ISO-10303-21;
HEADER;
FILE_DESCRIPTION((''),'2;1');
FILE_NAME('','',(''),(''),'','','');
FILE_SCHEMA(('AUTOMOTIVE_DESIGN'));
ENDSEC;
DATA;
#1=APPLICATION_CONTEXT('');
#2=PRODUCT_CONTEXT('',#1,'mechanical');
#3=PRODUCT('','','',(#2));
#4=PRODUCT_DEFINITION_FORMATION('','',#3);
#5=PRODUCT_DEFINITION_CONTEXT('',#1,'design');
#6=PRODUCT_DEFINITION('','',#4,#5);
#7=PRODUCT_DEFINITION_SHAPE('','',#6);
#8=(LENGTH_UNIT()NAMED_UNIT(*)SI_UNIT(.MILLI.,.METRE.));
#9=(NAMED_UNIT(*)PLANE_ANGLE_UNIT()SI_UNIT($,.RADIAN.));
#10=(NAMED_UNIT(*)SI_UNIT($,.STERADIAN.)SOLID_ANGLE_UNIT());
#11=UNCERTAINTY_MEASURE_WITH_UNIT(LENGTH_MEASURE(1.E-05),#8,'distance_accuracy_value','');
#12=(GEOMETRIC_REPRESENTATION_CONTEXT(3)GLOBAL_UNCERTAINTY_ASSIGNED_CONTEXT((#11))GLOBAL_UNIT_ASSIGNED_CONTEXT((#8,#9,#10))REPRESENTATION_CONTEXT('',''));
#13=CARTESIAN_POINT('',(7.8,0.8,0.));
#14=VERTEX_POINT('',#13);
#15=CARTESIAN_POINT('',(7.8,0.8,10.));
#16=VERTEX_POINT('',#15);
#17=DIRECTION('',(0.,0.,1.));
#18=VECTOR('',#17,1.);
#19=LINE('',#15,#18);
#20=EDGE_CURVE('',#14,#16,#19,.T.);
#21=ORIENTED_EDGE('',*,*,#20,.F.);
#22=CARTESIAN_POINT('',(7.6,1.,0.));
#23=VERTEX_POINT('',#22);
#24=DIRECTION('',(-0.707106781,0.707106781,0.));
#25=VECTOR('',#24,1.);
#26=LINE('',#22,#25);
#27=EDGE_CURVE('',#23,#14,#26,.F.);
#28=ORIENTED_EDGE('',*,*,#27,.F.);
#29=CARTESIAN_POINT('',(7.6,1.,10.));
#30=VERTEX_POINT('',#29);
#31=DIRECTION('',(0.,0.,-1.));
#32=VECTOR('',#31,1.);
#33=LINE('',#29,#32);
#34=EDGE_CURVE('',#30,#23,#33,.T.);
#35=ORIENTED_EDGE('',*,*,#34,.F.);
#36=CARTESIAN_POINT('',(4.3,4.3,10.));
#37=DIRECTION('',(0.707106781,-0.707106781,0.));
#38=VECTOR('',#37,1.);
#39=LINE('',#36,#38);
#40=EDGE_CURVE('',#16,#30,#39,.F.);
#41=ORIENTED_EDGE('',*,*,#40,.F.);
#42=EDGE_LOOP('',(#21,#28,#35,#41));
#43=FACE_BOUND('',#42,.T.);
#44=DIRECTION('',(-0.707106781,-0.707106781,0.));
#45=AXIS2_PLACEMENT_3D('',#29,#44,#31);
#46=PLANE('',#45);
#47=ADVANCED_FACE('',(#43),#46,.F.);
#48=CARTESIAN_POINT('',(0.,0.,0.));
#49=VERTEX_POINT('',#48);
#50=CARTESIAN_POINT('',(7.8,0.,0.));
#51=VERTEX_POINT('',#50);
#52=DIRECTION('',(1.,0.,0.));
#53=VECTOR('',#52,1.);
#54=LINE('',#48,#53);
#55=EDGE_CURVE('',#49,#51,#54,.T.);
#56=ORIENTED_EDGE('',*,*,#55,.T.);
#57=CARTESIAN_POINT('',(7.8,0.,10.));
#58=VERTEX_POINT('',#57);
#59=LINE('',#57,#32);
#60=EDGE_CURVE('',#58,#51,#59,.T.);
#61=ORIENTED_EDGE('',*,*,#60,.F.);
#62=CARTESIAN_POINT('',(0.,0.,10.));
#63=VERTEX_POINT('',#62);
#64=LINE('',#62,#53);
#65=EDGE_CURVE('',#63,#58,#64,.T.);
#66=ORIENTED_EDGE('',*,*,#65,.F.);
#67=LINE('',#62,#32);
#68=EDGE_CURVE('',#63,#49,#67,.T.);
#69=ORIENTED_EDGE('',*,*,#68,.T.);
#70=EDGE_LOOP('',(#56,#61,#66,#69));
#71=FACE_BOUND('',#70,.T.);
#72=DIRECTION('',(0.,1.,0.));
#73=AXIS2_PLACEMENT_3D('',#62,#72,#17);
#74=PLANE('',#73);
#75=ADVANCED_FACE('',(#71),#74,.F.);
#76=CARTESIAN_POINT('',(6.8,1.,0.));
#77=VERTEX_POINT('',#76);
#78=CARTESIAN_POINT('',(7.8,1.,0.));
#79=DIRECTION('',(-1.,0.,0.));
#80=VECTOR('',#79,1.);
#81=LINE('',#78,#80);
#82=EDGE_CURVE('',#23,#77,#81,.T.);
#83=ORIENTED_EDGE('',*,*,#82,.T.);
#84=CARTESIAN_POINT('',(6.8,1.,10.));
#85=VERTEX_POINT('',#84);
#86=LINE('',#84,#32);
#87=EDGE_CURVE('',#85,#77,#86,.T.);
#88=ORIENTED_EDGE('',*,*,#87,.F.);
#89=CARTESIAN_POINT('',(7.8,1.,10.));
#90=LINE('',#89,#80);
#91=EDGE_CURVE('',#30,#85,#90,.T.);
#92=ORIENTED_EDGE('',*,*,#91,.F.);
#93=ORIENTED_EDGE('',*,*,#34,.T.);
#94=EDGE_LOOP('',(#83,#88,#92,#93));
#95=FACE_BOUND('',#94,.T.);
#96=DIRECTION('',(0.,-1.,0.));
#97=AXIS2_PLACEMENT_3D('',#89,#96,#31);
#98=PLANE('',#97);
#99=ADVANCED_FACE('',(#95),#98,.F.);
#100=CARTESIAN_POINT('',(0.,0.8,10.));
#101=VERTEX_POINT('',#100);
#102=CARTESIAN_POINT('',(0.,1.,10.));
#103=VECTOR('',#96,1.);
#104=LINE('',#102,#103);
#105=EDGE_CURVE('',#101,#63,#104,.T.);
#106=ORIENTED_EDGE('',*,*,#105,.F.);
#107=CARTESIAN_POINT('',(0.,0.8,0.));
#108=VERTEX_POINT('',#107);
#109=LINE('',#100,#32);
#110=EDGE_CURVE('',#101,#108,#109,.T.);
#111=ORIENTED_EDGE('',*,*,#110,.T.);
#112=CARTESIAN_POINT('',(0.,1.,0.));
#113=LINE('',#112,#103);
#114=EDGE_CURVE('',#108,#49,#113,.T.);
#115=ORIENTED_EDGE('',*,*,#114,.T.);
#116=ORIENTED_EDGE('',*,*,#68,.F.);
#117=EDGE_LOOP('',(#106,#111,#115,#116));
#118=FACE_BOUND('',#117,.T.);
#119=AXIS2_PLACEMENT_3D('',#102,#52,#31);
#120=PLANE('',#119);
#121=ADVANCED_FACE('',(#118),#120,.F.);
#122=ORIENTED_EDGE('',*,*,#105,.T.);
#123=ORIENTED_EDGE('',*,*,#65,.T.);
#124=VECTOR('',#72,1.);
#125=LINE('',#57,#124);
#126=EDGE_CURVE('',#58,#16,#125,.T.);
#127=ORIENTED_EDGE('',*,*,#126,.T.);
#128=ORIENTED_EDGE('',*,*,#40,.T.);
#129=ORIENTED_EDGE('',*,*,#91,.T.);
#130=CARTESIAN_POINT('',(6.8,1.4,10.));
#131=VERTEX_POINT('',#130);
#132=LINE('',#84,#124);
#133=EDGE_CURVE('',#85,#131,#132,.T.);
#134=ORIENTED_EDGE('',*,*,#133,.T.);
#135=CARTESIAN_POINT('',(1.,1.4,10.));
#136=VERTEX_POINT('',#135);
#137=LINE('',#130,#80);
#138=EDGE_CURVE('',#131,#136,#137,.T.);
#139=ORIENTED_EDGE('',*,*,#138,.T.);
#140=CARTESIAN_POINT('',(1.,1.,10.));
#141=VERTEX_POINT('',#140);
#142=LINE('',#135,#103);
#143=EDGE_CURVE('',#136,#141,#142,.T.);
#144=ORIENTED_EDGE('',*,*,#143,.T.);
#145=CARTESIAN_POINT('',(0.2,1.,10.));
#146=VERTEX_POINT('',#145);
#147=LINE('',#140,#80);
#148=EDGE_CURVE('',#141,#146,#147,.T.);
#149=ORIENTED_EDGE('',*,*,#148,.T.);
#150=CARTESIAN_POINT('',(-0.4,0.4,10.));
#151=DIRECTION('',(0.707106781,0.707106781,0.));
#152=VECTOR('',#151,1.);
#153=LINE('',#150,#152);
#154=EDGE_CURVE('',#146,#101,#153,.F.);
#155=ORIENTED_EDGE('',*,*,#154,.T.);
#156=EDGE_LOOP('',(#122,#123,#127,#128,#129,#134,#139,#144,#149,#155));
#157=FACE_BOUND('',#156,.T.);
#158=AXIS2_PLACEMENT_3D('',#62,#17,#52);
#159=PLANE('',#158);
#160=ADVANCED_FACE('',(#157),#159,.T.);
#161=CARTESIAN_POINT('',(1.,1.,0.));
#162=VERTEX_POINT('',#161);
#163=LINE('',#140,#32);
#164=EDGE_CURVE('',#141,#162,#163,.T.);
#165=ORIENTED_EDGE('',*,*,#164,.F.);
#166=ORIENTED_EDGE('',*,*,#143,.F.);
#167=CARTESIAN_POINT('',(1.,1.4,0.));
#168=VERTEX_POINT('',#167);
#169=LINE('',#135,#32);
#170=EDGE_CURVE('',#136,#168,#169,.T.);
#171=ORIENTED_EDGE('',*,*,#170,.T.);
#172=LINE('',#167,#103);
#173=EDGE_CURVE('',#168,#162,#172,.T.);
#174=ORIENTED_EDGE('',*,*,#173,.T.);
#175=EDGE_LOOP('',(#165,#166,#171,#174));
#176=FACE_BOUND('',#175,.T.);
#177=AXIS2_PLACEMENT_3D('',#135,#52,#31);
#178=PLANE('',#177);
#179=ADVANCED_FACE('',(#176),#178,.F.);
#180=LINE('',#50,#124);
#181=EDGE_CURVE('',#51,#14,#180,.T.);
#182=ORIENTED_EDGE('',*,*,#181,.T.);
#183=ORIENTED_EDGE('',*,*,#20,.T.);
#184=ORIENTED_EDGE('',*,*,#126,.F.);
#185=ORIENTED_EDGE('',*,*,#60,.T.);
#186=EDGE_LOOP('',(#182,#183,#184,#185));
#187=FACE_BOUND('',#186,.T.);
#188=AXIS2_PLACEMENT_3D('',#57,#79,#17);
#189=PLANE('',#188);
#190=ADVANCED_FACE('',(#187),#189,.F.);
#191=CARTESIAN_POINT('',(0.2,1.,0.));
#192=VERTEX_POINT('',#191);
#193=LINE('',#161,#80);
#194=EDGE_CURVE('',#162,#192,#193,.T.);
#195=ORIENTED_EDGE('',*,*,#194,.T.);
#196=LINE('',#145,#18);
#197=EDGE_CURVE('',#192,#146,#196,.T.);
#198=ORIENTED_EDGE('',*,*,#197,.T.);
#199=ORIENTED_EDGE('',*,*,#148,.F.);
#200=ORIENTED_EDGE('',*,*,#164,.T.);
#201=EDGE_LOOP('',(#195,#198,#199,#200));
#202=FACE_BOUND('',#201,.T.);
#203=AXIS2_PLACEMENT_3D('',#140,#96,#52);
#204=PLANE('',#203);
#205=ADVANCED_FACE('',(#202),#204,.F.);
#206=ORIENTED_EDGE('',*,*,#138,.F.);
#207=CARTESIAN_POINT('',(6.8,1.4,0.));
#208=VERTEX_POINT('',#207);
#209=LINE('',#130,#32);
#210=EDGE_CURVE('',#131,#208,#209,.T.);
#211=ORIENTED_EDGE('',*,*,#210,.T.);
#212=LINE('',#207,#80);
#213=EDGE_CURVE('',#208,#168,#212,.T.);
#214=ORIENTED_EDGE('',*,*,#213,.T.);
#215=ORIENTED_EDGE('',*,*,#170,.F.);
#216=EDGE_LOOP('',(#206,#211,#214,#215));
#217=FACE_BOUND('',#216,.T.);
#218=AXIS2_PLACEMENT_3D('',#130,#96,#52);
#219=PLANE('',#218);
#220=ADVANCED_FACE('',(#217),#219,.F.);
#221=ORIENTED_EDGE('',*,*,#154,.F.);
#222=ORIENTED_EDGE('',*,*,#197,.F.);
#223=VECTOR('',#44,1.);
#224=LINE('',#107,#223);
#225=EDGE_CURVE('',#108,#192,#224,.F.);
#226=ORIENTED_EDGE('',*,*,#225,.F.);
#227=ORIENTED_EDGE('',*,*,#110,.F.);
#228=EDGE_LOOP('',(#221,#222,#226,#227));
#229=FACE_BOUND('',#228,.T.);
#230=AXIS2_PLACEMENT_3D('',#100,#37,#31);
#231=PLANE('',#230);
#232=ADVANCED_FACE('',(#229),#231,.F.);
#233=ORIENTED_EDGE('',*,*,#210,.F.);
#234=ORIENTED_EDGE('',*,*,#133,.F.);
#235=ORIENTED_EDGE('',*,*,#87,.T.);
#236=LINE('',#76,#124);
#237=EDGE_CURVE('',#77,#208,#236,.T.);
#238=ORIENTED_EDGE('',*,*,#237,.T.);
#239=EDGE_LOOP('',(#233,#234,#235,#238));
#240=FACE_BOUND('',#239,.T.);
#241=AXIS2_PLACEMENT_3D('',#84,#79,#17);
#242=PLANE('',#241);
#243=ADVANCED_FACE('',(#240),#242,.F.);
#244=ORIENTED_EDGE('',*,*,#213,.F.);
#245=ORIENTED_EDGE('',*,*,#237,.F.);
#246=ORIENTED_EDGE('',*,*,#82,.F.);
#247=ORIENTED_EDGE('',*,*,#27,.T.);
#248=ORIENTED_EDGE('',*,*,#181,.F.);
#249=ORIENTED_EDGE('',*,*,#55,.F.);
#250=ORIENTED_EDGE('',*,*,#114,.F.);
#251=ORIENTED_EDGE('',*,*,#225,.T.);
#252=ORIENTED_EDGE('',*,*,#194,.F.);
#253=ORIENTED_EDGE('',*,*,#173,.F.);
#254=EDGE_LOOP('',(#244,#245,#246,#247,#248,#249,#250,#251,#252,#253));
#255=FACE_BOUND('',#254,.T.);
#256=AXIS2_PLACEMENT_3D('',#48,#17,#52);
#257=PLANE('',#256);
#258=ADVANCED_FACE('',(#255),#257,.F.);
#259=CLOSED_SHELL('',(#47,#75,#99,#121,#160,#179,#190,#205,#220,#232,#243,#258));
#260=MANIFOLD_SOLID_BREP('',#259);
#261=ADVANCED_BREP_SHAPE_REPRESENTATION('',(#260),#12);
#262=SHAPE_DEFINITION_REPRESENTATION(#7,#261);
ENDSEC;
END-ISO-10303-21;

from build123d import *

# Parameters (mm, degrees)
BOSS_EXTRUDE1_DEPTH = 10
CHAMFER1_SIZE       = 0.2


with BuildPart() as part:
    # Sketch1 → Boss-Extrude1 (new body)
    with BuildSketch(Plane.XY):
        Polygon((0, 0), (7.8, 0), (7.8, 1), (6.8, 1), (6.8, 1.4), (1, 1.4), (1, 1), (0, 1), align=None)
    extrude(amount=BOSS_EXTRUDE1_DEPTH)

    # Chamfer1
    chamfer1_edges = [part.edges().sort_by_distance(p)[0] for p in [
        (0, 1, 5),
        (7.8, 1, 5),
    ]]
    chamfer(chamfer1_edges, length=CHAMFER1_SIZE)


solid = part.part
